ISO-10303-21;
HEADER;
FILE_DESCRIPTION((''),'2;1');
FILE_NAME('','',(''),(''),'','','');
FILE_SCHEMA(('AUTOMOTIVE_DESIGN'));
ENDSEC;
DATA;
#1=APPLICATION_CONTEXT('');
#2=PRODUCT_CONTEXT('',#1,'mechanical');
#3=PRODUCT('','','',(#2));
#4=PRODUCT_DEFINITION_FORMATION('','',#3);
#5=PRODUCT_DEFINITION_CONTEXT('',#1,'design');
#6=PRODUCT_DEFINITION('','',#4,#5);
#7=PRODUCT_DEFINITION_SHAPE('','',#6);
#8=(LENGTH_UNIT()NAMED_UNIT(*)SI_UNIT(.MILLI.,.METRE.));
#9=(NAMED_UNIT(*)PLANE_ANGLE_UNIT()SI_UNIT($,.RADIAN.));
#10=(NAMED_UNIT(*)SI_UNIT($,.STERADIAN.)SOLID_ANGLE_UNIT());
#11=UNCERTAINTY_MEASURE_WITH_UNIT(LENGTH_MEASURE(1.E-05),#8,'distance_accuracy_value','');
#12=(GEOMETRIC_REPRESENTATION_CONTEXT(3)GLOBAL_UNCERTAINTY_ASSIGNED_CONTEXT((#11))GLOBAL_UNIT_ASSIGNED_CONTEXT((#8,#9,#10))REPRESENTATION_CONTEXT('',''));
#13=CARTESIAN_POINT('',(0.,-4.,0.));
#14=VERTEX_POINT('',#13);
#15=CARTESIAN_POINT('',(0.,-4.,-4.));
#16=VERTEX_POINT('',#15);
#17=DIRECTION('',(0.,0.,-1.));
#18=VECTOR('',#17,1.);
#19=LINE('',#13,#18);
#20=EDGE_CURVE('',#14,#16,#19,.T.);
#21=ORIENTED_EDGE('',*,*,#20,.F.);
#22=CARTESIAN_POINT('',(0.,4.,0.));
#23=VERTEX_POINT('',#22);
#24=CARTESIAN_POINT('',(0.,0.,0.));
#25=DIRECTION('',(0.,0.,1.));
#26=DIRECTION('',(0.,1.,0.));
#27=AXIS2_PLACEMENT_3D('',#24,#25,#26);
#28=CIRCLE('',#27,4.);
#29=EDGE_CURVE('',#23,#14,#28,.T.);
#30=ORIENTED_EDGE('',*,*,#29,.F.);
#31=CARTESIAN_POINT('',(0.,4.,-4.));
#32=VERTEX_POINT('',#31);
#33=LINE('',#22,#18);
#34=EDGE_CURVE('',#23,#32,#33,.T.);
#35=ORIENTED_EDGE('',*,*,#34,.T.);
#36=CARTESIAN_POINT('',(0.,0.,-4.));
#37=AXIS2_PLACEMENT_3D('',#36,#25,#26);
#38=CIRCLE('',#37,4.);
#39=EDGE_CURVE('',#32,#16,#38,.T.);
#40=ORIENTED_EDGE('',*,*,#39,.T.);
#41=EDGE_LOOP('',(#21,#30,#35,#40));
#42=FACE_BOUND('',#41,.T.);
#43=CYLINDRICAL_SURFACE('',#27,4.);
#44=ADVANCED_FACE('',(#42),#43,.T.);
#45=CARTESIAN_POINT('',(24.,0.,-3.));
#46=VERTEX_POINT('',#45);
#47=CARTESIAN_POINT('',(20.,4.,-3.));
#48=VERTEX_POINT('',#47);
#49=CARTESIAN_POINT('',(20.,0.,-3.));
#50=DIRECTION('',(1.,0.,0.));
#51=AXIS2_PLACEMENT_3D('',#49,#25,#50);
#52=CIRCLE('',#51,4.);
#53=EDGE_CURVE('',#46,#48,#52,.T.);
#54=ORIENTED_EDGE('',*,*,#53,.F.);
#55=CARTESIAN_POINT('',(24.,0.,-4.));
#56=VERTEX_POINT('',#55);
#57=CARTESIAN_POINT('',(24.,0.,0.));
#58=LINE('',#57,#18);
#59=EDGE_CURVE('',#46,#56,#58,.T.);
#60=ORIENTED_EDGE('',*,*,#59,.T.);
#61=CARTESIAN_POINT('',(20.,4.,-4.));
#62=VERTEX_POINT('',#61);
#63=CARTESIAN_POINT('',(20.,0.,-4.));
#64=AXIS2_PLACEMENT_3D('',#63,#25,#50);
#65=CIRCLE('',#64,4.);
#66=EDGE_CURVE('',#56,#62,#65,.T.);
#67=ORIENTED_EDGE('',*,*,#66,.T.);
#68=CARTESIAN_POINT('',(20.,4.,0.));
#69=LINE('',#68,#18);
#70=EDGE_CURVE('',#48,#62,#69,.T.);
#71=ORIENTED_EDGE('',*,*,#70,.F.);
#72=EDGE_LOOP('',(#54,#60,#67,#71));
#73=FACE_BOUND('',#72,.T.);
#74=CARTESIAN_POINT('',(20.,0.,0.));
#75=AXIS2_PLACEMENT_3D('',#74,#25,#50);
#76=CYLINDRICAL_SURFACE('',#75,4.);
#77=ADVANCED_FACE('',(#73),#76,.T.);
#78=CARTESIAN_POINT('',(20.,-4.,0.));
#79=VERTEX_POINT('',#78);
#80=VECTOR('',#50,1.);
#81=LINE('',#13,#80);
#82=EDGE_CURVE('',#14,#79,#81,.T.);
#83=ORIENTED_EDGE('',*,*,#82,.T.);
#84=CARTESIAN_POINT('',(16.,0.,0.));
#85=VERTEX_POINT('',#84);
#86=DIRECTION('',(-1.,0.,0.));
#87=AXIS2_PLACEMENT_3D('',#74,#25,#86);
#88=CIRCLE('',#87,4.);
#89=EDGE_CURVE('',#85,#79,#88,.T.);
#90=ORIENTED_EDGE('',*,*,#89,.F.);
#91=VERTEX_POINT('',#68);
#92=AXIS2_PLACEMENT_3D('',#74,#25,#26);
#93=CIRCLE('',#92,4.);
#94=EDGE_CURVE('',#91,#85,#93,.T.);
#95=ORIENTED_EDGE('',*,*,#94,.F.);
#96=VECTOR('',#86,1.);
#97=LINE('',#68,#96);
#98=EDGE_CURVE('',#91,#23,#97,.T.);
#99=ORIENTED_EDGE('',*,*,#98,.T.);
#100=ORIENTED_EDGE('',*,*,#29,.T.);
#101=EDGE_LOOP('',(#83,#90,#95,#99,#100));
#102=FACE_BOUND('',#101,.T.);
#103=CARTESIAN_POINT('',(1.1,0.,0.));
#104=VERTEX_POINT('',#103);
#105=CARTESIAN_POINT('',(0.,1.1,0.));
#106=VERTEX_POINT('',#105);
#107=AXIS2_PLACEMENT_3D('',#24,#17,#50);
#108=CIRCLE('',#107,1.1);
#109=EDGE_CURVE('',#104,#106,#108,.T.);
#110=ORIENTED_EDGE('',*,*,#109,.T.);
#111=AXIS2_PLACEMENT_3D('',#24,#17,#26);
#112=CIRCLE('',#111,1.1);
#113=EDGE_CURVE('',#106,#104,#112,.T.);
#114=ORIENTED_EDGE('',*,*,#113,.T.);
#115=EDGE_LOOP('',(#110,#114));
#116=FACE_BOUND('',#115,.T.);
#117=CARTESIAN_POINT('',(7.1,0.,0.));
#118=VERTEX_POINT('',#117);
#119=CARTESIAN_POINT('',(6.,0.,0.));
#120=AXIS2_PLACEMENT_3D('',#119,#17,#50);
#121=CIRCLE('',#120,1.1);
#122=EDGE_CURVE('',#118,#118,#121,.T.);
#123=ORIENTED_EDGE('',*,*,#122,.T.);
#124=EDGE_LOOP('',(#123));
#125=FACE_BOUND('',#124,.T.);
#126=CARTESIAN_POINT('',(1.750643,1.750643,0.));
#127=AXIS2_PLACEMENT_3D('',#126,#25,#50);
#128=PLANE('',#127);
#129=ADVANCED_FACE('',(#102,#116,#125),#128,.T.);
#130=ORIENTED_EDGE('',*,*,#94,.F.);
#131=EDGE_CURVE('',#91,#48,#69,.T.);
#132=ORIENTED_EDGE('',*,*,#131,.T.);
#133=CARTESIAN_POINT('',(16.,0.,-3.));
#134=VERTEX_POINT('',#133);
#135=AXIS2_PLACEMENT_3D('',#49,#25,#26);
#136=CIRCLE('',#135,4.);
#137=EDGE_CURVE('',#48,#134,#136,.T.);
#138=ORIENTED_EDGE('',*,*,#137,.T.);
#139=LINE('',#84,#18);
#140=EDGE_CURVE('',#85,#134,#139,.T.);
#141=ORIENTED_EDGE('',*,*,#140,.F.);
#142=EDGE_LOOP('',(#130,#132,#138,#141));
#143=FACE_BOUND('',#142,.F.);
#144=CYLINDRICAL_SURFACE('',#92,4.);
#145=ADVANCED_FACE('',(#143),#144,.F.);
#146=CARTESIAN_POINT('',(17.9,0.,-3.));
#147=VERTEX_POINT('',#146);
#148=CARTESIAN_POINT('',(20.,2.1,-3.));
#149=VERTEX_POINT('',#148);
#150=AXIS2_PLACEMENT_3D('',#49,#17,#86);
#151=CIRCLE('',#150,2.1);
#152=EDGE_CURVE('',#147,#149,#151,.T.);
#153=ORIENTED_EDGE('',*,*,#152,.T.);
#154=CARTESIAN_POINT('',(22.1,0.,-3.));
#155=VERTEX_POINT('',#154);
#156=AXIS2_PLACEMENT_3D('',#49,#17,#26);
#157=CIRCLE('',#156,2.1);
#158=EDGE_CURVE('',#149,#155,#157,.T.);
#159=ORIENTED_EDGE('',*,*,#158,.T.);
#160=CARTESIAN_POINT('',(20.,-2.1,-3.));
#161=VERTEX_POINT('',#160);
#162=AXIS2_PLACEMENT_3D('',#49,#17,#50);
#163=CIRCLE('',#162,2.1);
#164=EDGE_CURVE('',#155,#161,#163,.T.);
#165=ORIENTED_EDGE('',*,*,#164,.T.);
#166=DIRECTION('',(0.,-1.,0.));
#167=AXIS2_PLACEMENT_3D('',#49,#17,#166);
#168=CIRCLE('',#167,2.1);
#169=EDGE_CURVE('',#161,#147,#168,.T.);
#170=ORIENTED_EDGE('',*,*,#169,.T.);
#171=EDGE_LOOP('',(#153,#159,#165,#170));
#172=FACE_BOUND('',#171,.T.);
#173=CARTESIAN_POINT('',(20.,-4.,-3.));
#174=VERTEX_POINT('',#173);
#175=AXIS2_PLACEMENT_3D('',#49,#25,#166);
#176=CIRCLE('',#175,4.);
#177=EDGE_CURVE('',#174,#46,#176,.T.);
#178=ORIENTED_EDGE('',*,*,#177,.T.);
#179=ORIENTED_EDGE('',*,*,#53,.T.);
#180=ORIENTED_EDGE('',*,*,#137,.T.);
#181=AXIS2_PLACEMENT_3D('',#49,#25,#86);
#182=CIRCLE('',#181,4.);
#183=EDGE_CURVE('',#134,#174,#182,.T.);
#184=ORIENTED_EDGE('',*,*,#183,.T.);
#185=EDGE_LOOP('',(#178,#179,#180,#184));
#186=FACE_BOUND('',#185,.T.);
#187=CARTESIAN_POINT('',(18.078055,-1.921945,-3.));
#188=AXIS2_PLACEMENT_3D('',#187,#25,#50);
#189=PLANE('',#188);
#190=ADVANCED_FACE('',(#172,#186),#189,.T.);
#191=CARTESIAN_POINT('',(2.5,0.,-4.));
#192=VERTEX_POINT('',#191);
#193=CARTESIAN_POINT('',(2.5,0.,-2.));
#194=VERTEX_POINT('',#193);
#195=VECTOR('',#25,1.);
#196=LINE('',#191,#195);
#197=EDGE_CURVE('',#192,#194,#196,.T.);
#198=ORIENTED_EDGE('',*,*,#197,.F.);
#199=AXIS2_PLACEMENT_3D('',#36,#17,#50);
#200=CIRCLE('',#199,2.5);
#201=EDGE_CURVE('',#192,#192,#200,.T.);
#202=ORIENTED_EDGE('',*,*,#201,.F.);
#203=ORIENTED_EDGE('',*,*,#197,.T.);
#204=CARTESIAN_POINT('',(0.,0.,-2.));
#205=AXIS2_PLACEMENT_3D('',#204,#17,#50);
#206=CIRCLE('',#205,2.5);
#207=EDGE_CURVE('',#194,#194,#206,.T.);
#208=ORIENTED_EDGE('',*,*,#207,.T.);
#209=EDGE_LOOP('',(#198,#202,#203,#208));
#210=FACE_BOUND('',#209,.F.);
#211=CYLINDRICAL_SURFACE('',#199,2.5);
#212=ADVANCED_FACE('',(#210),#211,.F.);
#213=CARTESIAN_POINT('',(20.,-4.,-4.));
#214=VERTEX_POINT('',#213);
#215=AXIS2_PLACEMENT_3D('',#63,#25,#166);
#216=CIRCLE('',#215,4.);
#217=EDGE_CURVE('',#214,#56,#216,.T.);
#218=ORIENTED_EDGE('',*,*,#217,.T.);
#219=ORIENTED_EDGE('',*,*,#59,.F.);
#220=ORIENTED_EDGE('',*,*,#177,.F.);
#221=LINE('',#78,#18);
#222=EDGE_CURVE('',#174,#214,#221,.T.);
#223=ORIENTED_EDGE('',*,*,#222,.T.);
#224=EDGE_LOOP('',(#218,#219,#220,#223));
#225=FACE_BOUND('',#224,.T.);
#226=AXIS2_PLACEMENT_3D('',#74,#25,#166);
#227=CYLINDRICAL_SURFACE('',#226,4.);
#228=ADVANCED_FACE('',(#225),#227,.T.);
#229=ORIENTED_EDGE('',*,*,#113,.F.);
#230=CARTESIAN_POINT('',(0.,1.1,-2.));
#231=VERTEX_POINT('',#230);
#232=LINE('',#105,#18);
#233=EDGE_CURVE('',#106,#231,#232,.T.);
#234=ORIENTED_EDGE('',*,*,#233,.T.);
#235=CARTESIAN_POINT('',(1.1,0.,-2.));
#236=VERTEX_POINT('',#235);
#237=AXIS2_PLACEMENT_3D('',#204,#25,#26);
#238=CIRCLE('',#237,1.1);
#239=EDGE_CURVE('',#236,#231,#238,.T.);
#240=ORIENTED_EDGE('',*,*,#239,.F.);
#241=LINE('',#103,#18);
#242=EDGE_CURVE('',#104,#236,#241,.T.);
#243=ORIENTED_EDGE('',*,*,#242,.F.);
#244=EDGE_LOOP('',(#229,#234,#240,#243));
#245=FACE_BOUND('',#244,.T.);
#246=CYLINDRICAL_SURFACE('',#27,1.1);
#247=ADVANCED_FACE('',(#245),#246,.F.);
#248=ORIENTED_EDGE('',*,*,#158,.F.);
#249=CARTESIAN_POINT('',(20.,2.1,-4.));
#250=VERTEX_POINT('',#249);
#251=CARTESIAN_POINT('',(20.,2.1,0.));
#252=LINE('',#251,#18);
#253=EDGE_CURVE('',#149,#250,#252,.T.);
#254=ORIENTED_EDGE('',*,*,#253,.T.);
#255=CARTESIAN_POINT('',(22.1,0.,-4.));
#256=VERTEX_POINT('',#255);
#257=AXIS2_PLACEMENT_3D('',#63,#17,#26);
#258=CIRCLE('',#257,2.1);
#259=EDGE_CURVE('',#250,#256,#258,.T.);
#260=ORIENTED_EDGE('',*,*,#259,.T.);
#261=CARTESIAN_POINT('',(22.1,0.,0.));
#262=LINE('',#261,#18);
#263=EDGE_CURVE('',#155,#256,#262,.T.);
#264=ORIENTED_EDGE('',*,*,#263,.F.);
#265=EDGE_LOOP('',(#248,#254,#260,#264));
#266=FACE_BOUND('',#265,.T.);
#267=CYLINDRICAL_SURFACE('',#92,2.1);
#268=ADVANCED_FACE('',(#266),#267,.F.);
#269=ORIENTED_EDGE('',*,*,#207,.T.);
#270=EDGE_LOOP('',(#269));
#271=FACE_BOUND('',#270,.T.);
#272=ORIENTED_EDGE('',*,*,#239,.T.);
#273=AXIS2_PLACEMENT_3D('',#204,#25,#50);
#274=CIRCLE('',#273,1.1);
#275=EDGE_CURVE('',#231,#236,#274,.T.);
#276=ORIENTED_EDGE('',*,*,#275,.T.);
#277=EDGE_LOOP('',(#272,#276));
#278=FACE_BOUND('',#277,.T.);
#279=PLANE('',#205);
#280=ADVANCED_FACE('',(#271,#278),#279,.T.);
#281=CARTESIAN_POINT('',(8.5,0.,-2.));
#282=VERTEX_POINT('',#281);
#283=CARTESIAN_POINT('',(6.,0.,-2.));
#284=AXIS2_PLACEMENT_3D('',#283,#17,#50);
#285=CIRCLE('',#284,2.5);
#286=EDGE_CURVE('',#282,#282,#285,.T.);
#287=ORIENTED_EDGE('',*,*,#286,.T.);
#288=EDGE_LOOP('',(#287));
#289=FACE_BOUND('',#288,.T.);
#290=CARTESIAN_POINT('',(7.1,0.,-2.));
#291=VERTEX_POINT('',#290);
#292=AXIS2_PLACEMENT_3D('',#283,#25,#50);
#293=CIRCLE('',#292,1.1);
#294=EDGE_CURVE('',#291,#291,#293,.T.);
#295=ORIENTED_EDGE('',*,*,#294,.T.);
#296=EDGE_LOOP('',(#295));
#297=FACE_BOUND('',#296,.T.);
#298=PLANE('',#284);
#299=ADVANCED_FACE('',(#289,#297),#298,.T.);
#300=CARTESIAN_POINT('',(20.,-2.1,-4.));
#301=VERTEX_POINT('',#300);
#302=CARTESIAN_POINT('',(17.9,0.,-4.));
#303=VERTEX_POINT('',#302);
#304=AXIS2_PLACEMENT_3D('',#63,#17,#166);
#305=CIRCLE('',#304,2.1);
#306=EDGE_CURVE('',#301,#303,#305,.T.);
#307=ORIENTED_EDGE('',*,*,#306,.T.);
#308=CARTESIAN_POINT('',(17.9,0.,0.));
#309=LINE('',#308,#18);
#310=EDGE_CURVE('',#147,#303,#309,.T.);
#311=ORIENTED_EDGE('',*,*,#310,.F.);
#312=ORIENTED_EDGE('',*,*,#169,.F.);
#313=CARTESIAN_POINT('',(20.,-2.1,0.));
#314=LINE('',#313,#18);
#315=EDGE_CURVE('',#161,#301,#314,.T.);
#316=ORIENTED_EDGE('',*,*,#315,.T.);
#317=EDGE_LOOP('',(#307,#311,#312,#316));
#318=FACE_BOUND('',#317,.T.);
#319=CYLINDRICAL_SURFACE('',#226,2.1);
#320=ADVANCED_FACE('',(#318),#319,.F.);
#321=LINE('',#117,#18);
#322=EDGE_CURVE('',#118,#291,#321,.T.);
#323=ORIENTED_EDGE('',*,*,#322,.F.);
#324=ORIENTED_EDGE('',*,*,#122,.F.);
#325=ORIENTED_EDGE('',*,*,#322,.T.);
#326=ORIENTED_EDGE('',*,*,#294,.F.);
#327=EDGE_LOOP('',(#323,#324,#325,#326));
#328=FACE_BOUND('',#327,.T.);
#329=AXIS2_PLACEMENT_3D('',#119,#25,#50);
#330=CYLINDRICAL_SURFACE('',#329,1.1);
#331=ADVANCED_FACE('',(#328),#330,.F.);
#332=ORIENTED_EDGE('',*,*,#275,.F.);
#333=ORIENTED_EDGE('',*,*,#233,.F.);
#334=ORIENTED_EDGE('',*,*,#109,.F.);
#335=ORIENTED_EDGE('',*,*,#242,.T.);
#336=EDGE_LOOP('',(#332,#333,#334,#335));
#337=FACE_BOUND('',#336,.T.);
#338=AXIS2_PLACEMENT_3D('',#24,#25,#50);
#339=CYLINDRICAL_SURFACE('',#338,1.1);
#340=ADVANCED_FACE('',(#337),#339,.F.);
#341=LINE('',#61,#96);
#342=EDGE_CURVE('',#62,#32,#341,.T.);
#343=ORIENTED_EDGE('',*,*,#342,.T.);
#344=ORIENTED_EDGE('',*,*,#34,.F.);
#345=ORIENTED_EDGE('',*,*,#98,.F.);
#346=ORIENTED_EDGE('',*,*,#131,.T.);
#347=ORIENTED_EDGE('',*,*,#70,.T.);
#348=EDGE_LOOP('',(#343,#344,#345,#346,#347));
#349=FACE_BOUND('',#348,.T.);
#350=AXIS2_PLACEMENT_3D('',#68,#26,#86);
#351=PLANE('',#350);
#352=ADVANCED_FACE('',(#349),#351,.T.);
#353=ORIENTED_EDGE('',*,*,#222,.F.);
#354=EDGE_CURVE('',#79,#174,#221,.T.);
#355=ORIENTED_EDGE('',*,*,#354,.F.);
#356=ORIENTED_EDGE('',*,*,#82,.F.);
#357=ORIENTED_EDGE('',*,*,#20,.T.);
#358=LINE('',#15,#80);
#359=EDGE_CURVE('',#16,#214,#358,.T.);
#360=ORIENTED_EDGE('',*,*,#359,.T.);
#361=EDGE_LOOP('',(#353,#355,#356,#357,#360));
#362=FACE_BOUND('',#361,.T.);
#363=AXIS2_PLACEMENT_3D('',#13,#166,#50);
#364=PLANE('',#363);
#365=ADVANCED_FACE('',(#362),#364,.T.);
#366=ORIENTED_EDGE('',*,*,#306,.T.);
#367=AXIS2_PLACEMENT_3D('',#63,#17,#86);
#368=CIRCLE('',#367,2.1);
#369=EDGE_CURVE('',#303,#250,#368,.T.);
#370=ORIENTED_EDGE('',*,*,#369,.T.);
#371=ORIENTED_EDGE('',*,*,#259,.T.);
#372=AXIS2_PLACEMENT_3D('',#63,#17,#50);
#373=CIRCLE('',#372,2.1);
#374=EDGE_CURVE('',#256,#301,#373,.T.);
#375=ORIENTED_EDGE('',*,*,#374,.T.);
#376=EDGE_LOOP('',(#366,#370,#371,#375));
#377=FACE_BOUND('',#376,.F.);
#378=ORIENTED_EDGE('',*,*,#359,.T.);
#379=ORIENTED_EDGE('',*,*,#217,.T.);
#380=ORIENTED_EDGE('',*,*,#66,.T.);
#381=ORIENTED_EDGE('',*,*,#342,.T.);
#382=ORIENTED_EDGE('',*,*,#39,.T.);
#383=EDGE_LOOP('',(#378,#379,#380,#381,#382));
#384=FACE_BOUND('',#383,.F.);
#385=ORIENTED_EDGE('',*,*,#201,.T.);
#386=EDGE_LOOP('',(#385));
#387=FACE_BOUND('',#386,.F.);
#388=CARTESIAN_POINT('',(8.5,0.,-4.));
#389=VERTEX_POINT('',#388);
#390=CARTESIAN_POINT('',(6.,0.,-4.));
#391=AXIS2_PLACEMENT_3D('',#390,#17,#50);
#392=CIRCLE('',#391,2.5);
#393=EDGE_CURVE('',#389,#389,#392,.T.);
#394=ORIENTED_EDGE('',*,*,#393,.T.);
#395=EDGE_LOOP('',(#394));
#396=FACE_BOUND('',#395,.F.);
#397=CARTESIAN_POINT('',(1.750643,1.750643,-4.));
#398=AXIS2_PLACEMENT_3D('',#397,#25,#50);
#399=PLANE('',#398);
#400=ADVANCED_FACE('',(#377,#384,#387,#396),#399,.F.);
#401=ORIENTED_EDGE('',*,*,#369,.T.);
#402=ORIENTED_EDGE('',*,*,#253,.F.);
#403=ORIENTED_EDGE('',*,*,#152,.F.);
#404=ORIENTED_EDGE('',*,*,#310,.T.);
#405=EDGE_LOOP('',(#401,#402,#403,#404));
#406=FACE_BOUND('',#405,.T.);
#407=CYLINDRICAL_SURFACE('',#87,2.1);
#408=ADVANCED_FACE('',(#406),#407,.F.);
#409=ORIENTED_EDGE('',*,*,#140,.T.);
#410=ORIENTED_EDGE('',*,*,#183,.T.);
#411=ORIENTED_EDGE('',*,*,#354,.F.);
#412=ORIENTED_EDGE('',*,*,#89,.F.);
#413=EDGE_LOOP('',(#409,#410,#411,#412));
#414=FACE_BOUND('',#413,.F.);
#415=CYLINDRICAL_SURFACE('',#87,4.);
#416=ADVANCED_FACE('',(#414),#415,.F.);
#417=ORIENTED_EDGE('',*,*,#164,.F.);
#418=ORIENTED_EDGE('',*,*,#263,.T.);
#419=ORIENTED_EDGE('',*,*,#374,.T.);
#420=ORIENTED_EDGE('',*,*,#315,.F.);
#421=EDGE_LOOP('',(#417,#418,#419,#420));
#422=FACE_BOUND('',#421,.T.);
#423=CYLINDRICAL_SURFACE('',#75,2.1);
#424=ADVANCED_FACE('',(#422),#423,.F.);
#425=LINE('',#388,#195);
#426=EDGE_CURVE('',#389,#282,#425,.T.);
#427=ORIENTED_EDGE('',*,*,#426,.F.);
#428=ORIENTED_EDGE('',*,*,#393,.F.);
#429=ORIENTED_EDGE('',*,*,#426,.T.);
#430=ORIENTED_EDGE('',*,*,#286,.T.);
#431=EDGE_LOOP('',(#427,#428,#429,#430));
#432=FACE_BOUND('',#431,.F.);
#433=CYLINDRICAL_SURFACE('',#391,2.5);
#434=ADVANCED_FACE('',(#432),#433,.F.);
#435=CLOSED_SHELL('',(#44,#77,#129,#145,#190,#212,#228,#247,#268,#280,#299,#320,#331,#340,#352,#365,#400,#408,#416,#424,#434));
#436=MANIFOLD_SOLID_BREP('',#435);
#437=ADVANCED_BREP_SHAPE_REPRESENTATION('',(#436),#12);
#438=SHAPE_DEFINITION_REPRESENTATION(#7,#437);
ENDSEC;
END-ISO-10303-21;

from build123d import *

# Parameters (mm, degrees)
F1_DEPTH = 4
F2_DEPTH = 3
F3_R     = 2.5
F4_DEPTH = 2


with BuildPart() as f1:
    # F0 (on Top) → F1 (new body)
    with BuildSketch(Plane.XY):
        with BuildLine():
            ThreePointArc((0, 1.1), (0.7778174593, 0.7778174593), (1.1, 0))
            Line((1.1, 0), (4, 0))
            ThreePointArc((4, 0), (2.8284271247, 2.8284271247), (0, 4))
            Line((0, 4), (0, 1.1))
        make_face()
        with BuildLine():
            Line((4, 0), (1.1, 0))
            ThreePointArc((1.1, 0), (-0.7778174593, -0.7778174593), (0, 1.1))
            Line((0, 1.1), (0, 4))
            ThreePointArc((0, 4), (-4, 0), (0, -4))
            ThreePointArc((0, -4), (2.8284271247, -2.8284271247), (4, 0))
        make_face()
        with BuildLine():
            ThreePointArc((0, 4), (2.8284271247, 2.8284271247), (4, 0))
            Line((4, 0), (4.9, 0))
            ThreePointArc((4.9, 0), (6, 1.1), (7.1, 0))
            Line((7.1, 0), (16, 0))
            ThreePointArc((16, 0), (17.1715728753, 2.8284271247), (20, 4))
            Line((20, 4), (0, 4))
        make_face()
        with BuildLine():
            Line((4.9, 0), (4, 0))
            ThreePointArc((4, 0), (2.8284271247, -2.8284271247), (0, -4))
            Line((0, -4), (20, -4))
            ThreePointArc((20, -4), (17.1715728753, -2.8284271247), (16, 0))
            Line((16, 0), (7.1, 0))
            ThreePointArc((7.1, 0), (6, -1.1), (4.9, 0))
        make_face()
        with BuildLine():
            Line((20, 2.1), (20, 4))
            ThreePointArc((20, 4), (17.1715728753, 2.8284271247), (16, 0))
            Line((16, 0), (17.9, 0))
            ThreePointArc((17.9, 0), (18.5150757595, 1.4849242405), (20, 2.1))
        make_face()
        with BuildLine():
            ThreePointArc((24, 0), (22.8284271247, 2.8284271247), (20, 4))
            Line((20, 4), (20, 2.1))
            ThreePointArc((20, 2.1), (21.4849242405, 1.4849242405), (22.1, 0))
            ThreePointArc((22.1, 0), (21.4849242405, -1.4849242405), (20, -2.1))
            Line((20, -2.1), (20, -4))
            ThreePointArc((20, -4), (22.8284271247, -2.8284271247), (24, 0))
        make_face()
        with BuildLine():
            ThreePointArc((16, 0), (17.1715728753, -2.8284271247), (20, -4))
            Line((20, -4), (20, -2.1))
            ThreePointArc((20, -2.1), (18.5150757595, -1.4849242405), (17.9, 0))
            Line((17.9, 0), (16, 0))
        make_face()
    extrude(amount=-F1_DEPTH)

    # F0 (on Top) → F2 (cut)
    with BuildSketch(Plane.XY):
        with BuildLine():
            ThreePointArc((16, 0), (17.1715728753, -2.8284271247), (20, -4))
            Line((20, -4), (20, -2.1))
            ThreePointArc((20, -2.1), (18.5150757595, -1.4849242405), (17.9, 0))
            Line((17.9, 0), (16, 0))
        make_face()
        with BuildLine():
            Line((20, 2.1), (20, 4))
            ThreePointArc((20, 4), (17.1715728753, 2.8284271247), (16, 0))
            Line((16, 0), (17.9, 0))
            ThreePointArc((17.9, 0), (18.5150757595, 1.4849242405), (20, 2.1))
        make_face()
        with BuildLine():
            ThreePointArc((24, 0), (22.8284271247, 2.8284271247), (20, 4))
            Line((20, 4), (20, 2.1))
            ThreePointArc((20, 2.1), (21.4849242405, 1.4849242405), (22.1, 0))
            ThreePointArc((22.1, 0), (21.4849242405, -1.4849242405), (20, -2.1))
            Line((20, -2.1), (20, -4))
            ThreePointArc((20, -4), (22.8284271247, -2.8284271247), (24, 0))
        make_face()
    extrude(amount=-F2_DEPTH, mode=Mode.SUBTRACT)

    # F3 (on face) → F4 (cut)
    with BuildSketch(Plane(origin=(0, 0, -4), x_dir=(1, 0, 0), z_dir=(0, 0, -1))):
        with Locations((6, 0)):
            Circle(F3_R)
        Circle(F3_R)
    extrude(amount=-F4_DEPTH, mode=Mode.SUBTRACT)


solid = f1.part
